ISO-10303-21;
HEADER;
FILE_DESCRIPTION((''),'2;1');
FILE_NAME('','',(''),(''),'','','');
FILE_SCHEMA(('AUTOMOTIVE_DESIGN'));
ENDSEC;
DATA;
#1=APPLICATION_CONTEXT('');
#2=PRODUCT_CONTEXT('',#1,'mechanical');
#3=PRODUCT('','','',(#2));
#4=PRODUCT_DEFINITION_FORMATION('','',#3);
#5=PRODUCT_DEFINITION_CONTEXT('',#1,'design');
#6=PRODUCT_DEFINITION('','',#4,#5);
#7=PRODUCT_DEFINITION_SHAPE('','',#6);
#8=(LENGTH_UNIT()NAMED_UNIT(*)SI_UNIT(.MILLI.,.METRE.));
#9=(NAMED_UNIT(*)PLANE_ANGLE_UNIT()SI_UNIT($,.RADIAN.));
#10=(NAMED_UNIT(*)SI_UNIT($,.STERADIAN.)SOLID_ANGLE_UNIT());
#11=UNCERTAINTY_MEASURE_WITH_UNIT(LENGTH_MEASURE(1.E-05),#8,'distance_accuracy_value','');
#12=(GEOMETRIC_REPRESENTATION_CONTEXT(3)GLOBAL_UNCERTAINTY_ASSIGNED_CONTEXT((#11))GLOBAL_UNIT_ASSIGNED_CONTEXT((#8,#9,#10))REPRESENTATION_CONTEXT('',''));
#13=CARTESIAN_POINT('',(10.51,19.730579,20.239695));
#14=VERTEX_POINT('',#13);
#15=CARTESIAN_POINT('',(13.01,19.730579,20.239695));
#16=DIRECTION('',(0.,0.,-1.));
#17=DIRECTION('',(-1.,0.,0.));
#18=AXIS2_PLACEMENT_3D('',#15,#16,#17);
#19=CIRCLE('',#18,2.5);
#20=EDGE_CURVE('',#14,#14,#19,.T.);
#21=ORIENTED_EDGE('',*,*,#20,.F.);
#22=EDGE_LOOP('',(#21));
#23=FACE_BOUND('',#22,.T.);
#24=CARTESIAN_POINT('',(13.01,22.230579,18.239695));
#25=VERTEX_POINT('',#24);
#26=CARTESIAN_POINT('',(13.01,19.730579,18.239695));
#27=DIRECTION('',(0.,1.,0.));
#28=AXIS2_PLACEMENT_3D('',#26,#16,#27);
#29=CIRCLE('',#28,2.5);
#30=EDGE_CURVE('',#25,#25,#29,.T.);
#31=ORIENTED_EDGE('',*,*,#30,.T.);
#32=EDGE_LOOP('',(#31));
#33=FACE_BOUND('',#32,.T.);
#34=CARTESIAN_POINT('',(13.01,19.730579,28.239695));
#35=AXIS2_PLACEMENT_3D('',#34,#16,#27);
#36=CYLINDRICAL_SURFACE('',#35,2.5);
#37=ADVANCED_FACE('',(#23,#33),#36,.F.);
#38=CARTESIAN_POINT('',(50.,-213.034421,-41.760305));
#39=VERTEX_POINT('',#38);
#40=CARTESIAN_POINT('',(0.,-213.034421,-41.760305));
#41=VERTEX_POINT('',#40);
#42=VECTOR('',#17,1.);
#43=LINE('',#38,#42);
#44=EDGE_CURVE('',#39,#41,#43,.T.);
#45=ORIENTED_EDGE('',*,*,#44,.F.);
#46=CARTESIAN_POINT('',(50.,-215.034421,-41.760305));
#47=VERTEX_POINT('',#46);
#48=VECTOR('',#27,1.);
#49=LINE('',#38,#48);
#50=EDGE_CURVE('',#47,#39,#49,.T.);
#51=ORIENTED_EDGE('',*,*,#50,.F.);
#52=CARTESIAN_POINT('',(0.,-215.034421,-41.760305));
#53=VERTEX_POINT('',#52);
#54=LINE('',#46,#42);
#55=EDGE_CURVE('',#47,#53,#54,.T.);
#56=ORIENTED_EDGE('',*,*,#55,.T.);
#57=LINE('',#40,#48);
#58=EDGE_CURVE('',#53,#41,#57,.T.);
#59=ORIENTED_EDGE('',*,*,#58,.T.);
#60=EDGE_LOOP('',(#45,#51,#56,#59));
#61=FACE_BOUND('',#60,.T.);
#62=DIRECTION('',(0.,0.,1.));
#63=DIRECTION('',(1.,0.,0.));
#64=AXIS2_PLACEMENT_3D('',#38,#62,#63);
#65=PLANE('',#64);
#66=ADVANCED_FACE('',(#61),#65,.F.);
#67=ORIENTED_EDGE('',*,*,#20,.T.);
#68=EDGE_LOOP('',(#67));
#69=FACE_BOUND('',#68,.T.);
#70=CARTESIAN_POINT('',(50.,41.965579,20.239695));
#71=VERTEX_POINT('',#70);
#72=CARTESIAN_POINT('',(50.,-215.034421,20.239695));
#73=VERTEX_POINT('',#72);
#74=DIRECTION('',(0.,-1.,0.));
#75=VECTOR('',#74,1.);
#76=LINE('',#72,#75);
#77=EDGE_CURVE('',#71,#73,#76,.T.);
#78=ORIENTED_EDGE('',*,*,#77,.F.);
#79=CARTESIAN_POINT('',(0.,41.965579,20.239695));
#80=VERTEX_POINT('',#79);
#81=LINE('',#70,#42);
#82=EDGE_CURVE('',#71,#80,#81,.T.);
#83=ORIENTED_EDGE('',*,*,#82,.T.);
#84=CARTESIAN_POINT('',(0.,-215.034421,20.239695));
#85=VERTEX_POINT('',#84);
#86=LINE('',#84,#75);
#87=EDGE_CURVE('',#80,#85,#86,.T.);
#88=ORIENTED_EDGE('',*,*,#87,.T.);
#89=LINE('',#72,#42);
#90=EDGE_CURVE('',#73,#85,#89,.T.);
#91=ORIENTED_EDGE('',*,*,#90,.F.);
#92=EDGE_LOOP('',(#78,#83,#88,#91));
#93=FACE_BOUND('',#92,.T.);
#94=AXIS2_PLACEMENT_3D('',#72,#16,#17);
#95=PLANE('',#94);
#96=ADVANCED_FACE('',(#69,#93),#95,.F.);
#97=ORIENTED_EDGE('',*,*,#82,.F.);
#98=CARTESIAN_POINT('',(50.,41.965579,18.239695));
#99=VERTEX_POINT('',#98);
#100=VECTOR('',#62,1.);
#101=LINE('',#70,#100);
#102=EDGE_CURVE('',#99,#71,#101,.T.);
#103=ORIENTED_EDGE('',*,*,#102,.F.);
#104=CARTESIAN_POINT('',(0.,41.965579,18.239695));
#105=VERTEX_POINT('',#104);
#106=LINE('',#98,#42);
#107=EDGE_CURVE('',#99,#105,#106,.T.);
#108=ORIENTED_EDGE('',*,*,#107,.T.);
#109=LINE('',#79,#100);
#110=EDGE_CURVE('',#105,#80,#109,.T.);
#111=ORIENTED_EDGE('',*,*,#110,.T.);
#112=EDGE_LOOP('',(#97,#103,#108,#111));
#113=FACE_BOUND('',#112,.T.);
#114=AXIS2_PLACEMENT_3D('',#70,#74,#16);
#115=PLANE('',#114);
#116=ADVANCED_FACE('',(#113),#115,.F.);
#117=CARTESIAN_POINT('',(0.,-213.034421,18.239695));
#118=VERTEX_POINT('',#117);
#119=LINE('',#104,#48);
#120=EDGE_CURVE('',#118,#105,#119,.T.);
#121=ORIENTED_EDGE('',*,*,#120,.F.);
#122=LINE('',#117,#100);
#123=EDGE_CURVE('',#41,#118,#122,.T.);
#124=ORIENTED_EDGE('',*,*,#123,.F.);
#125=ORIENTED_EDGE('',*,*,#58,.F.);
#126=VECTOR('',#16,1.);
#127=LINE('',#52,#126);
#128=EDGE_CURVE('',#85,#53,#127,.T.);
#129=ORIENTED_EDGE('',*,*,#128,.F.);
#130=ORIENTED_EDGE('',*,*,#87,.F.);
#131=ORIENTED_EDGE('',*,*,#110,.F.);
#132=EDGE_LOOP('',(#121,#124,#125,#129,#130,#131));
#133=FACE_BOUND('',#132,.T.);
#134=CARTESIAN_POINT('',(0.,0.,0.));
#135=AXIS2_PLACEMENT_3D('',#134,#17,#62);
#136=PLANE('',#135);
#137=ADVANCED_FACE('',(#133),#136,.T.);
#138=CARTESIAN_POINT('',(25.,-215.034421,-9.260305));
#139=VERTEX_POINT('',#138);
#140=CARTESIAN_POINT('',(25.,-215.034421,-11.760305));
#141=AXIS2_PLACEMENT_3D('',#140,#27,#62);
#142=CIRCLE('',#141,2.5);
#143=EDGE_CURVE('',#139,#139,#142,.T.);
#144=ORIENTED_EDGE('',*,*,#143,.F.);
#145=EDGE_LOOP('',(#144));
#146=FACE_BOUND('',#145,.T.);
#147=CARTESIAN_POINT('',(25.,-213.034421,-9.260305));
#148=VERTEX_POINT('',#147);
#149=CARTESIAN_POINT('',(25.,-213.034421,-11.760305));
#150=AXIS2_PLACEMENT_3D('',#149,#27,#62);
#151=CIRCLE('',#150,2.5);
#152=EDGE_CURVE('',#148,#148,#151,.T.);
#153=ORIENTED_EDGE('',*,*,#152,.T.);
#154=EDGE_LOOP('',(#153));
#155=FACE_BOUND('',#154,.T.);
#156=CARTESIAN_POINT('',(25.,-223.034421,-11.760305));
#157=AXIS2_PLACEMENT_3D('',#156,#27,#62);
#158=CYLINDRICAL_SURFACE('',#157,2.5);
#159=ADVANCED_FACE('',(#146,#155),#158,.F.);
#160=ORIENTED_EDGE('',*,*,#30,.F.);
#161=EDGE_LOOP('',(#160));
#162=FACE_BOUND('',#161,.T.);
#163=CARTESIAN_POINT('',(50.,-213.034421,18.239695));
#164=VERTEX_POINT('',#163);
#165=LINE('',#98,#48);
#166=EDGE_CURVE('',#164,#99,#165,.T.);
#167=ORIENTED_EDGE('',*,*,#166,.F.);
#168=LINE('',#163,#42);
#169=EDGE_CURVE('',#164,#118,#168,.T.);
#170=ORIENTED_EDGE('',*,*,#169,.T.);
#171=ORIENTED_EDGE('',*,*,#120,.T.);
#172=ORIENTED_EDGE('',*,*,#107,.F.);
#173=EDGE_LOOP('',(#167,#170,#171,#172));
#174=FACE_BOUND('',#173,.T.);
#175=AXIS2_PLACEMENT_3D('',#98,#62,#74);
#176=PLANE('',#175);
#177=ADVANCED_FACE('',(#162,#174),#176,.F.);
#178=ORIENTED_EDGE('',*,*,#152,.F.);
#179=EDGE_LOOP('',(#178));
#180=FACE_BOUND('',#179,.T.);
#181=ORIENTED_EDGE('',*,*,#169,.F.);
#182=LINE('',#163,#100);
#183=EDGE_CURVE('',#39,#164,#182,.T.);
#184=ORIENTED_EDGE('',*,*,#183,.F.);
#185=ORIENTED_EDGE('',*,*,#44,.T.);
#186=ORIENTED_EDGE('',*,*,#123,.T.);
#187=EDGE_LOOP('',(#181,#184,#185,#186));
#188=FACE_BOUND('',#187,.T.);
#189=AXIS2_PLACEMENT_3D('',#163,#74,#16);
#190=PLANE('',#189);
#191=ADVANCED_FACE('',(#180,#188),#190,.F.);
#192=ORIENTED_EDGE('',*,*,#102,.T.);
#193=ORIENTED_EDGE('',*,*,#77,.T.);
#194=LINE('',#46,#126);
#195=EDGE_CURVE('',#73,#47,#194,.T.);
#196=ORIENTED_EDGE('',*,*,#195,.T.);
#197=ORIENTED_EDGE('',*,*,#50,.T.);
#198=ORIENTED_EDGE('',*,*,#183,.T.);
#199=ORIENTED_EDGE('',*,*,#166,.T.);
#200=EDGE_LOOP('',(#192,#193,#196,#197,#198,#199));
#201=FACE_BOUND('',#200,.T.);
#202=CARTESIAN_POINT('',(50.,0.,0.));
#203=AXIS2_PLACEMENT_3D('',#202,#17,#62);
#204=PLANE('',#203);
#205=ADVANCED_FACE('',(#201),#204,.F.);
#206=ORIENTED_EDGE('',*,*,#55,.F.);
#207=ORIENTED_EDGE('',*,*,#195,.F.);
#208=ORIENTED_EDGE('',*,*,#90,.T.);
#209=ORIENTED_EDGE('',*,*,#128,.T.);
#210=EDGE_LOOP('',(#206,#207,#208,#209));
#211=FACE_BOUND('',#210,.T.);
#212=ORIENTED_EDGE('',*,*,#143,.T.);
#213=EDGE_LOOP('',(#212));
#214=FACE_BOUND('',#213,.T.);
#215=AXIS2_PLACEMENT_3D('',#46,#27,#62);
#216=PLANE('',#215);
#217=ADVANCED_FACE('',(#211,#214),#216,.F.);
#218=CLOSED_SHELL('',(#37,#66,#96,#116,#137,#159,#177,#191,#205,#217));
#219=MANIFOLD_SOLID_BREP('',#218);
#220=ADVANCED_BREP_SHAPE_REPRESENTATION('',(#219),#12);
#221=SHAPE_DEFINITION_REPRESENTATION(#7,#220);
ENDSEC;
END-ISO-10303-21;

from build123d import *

# Parameters (mm, degrees)
SALIENTE_EXTRUIR1_DEPTH = 50
CROQUIS2_R              = 2.5
CORTAR_EXTRUIR1_DEPTH   = 10
CROQUIS3_R              = 2.5
CORTAR_EXTRUIR2_DEPTH   = 10


with BuildPart() as part:
    # Croquis1 → Saliente-Extruir1 (new body)
    with BuildSketch(Plane(origin=(0, 0, 0), x_dir=(0, 0, -1), z_dir=(1, 0, 0))):
        Polygon((-20.239694924, -215.034421421), (-20.239694924, 41.965578579), (-18.239694924, 41.965578579), (-18.239694924, -213.034421421), (41.760305076, -213.034421421), (41.760305076, -215.034421421), align=None)
    extrude(amount=SALIENTE_EXTRUIR1_DEPTH)

    # Croquis2 → Cortar-Extruir1 (cut)
    with BuildSketch(Plane(origin=(0, -213.034421421, 0), x_dir=(1, 0, 0), z_dir=(0, 1, 0))):
        with Locations(Location((25, 11.760305076, 0), (0, 0, 270))):
            Circle(CROQUIS2_R)
    extrude(amount=-CORTAR_EXTRUIR1_DEPTH, mode=Mode.SUBTRACT)

    # Croquis3 → Cortar-Extruir2 (cut)
    with BuildSketch(Plane(origin=(0, 0, 18.239694924), x_dir=(-1, 0, 0), z_dir=(0, 0, -1))):
        with Locations(Location((-13.01, 19.730578579, 0), (0, 0, 90))):
            Circle(CROQUIS3_R)
    extrude(amount=-CORTAR_EXTRUIR2_DEPTH, mode=Mode.SUBTRACT)


solid = part.part
